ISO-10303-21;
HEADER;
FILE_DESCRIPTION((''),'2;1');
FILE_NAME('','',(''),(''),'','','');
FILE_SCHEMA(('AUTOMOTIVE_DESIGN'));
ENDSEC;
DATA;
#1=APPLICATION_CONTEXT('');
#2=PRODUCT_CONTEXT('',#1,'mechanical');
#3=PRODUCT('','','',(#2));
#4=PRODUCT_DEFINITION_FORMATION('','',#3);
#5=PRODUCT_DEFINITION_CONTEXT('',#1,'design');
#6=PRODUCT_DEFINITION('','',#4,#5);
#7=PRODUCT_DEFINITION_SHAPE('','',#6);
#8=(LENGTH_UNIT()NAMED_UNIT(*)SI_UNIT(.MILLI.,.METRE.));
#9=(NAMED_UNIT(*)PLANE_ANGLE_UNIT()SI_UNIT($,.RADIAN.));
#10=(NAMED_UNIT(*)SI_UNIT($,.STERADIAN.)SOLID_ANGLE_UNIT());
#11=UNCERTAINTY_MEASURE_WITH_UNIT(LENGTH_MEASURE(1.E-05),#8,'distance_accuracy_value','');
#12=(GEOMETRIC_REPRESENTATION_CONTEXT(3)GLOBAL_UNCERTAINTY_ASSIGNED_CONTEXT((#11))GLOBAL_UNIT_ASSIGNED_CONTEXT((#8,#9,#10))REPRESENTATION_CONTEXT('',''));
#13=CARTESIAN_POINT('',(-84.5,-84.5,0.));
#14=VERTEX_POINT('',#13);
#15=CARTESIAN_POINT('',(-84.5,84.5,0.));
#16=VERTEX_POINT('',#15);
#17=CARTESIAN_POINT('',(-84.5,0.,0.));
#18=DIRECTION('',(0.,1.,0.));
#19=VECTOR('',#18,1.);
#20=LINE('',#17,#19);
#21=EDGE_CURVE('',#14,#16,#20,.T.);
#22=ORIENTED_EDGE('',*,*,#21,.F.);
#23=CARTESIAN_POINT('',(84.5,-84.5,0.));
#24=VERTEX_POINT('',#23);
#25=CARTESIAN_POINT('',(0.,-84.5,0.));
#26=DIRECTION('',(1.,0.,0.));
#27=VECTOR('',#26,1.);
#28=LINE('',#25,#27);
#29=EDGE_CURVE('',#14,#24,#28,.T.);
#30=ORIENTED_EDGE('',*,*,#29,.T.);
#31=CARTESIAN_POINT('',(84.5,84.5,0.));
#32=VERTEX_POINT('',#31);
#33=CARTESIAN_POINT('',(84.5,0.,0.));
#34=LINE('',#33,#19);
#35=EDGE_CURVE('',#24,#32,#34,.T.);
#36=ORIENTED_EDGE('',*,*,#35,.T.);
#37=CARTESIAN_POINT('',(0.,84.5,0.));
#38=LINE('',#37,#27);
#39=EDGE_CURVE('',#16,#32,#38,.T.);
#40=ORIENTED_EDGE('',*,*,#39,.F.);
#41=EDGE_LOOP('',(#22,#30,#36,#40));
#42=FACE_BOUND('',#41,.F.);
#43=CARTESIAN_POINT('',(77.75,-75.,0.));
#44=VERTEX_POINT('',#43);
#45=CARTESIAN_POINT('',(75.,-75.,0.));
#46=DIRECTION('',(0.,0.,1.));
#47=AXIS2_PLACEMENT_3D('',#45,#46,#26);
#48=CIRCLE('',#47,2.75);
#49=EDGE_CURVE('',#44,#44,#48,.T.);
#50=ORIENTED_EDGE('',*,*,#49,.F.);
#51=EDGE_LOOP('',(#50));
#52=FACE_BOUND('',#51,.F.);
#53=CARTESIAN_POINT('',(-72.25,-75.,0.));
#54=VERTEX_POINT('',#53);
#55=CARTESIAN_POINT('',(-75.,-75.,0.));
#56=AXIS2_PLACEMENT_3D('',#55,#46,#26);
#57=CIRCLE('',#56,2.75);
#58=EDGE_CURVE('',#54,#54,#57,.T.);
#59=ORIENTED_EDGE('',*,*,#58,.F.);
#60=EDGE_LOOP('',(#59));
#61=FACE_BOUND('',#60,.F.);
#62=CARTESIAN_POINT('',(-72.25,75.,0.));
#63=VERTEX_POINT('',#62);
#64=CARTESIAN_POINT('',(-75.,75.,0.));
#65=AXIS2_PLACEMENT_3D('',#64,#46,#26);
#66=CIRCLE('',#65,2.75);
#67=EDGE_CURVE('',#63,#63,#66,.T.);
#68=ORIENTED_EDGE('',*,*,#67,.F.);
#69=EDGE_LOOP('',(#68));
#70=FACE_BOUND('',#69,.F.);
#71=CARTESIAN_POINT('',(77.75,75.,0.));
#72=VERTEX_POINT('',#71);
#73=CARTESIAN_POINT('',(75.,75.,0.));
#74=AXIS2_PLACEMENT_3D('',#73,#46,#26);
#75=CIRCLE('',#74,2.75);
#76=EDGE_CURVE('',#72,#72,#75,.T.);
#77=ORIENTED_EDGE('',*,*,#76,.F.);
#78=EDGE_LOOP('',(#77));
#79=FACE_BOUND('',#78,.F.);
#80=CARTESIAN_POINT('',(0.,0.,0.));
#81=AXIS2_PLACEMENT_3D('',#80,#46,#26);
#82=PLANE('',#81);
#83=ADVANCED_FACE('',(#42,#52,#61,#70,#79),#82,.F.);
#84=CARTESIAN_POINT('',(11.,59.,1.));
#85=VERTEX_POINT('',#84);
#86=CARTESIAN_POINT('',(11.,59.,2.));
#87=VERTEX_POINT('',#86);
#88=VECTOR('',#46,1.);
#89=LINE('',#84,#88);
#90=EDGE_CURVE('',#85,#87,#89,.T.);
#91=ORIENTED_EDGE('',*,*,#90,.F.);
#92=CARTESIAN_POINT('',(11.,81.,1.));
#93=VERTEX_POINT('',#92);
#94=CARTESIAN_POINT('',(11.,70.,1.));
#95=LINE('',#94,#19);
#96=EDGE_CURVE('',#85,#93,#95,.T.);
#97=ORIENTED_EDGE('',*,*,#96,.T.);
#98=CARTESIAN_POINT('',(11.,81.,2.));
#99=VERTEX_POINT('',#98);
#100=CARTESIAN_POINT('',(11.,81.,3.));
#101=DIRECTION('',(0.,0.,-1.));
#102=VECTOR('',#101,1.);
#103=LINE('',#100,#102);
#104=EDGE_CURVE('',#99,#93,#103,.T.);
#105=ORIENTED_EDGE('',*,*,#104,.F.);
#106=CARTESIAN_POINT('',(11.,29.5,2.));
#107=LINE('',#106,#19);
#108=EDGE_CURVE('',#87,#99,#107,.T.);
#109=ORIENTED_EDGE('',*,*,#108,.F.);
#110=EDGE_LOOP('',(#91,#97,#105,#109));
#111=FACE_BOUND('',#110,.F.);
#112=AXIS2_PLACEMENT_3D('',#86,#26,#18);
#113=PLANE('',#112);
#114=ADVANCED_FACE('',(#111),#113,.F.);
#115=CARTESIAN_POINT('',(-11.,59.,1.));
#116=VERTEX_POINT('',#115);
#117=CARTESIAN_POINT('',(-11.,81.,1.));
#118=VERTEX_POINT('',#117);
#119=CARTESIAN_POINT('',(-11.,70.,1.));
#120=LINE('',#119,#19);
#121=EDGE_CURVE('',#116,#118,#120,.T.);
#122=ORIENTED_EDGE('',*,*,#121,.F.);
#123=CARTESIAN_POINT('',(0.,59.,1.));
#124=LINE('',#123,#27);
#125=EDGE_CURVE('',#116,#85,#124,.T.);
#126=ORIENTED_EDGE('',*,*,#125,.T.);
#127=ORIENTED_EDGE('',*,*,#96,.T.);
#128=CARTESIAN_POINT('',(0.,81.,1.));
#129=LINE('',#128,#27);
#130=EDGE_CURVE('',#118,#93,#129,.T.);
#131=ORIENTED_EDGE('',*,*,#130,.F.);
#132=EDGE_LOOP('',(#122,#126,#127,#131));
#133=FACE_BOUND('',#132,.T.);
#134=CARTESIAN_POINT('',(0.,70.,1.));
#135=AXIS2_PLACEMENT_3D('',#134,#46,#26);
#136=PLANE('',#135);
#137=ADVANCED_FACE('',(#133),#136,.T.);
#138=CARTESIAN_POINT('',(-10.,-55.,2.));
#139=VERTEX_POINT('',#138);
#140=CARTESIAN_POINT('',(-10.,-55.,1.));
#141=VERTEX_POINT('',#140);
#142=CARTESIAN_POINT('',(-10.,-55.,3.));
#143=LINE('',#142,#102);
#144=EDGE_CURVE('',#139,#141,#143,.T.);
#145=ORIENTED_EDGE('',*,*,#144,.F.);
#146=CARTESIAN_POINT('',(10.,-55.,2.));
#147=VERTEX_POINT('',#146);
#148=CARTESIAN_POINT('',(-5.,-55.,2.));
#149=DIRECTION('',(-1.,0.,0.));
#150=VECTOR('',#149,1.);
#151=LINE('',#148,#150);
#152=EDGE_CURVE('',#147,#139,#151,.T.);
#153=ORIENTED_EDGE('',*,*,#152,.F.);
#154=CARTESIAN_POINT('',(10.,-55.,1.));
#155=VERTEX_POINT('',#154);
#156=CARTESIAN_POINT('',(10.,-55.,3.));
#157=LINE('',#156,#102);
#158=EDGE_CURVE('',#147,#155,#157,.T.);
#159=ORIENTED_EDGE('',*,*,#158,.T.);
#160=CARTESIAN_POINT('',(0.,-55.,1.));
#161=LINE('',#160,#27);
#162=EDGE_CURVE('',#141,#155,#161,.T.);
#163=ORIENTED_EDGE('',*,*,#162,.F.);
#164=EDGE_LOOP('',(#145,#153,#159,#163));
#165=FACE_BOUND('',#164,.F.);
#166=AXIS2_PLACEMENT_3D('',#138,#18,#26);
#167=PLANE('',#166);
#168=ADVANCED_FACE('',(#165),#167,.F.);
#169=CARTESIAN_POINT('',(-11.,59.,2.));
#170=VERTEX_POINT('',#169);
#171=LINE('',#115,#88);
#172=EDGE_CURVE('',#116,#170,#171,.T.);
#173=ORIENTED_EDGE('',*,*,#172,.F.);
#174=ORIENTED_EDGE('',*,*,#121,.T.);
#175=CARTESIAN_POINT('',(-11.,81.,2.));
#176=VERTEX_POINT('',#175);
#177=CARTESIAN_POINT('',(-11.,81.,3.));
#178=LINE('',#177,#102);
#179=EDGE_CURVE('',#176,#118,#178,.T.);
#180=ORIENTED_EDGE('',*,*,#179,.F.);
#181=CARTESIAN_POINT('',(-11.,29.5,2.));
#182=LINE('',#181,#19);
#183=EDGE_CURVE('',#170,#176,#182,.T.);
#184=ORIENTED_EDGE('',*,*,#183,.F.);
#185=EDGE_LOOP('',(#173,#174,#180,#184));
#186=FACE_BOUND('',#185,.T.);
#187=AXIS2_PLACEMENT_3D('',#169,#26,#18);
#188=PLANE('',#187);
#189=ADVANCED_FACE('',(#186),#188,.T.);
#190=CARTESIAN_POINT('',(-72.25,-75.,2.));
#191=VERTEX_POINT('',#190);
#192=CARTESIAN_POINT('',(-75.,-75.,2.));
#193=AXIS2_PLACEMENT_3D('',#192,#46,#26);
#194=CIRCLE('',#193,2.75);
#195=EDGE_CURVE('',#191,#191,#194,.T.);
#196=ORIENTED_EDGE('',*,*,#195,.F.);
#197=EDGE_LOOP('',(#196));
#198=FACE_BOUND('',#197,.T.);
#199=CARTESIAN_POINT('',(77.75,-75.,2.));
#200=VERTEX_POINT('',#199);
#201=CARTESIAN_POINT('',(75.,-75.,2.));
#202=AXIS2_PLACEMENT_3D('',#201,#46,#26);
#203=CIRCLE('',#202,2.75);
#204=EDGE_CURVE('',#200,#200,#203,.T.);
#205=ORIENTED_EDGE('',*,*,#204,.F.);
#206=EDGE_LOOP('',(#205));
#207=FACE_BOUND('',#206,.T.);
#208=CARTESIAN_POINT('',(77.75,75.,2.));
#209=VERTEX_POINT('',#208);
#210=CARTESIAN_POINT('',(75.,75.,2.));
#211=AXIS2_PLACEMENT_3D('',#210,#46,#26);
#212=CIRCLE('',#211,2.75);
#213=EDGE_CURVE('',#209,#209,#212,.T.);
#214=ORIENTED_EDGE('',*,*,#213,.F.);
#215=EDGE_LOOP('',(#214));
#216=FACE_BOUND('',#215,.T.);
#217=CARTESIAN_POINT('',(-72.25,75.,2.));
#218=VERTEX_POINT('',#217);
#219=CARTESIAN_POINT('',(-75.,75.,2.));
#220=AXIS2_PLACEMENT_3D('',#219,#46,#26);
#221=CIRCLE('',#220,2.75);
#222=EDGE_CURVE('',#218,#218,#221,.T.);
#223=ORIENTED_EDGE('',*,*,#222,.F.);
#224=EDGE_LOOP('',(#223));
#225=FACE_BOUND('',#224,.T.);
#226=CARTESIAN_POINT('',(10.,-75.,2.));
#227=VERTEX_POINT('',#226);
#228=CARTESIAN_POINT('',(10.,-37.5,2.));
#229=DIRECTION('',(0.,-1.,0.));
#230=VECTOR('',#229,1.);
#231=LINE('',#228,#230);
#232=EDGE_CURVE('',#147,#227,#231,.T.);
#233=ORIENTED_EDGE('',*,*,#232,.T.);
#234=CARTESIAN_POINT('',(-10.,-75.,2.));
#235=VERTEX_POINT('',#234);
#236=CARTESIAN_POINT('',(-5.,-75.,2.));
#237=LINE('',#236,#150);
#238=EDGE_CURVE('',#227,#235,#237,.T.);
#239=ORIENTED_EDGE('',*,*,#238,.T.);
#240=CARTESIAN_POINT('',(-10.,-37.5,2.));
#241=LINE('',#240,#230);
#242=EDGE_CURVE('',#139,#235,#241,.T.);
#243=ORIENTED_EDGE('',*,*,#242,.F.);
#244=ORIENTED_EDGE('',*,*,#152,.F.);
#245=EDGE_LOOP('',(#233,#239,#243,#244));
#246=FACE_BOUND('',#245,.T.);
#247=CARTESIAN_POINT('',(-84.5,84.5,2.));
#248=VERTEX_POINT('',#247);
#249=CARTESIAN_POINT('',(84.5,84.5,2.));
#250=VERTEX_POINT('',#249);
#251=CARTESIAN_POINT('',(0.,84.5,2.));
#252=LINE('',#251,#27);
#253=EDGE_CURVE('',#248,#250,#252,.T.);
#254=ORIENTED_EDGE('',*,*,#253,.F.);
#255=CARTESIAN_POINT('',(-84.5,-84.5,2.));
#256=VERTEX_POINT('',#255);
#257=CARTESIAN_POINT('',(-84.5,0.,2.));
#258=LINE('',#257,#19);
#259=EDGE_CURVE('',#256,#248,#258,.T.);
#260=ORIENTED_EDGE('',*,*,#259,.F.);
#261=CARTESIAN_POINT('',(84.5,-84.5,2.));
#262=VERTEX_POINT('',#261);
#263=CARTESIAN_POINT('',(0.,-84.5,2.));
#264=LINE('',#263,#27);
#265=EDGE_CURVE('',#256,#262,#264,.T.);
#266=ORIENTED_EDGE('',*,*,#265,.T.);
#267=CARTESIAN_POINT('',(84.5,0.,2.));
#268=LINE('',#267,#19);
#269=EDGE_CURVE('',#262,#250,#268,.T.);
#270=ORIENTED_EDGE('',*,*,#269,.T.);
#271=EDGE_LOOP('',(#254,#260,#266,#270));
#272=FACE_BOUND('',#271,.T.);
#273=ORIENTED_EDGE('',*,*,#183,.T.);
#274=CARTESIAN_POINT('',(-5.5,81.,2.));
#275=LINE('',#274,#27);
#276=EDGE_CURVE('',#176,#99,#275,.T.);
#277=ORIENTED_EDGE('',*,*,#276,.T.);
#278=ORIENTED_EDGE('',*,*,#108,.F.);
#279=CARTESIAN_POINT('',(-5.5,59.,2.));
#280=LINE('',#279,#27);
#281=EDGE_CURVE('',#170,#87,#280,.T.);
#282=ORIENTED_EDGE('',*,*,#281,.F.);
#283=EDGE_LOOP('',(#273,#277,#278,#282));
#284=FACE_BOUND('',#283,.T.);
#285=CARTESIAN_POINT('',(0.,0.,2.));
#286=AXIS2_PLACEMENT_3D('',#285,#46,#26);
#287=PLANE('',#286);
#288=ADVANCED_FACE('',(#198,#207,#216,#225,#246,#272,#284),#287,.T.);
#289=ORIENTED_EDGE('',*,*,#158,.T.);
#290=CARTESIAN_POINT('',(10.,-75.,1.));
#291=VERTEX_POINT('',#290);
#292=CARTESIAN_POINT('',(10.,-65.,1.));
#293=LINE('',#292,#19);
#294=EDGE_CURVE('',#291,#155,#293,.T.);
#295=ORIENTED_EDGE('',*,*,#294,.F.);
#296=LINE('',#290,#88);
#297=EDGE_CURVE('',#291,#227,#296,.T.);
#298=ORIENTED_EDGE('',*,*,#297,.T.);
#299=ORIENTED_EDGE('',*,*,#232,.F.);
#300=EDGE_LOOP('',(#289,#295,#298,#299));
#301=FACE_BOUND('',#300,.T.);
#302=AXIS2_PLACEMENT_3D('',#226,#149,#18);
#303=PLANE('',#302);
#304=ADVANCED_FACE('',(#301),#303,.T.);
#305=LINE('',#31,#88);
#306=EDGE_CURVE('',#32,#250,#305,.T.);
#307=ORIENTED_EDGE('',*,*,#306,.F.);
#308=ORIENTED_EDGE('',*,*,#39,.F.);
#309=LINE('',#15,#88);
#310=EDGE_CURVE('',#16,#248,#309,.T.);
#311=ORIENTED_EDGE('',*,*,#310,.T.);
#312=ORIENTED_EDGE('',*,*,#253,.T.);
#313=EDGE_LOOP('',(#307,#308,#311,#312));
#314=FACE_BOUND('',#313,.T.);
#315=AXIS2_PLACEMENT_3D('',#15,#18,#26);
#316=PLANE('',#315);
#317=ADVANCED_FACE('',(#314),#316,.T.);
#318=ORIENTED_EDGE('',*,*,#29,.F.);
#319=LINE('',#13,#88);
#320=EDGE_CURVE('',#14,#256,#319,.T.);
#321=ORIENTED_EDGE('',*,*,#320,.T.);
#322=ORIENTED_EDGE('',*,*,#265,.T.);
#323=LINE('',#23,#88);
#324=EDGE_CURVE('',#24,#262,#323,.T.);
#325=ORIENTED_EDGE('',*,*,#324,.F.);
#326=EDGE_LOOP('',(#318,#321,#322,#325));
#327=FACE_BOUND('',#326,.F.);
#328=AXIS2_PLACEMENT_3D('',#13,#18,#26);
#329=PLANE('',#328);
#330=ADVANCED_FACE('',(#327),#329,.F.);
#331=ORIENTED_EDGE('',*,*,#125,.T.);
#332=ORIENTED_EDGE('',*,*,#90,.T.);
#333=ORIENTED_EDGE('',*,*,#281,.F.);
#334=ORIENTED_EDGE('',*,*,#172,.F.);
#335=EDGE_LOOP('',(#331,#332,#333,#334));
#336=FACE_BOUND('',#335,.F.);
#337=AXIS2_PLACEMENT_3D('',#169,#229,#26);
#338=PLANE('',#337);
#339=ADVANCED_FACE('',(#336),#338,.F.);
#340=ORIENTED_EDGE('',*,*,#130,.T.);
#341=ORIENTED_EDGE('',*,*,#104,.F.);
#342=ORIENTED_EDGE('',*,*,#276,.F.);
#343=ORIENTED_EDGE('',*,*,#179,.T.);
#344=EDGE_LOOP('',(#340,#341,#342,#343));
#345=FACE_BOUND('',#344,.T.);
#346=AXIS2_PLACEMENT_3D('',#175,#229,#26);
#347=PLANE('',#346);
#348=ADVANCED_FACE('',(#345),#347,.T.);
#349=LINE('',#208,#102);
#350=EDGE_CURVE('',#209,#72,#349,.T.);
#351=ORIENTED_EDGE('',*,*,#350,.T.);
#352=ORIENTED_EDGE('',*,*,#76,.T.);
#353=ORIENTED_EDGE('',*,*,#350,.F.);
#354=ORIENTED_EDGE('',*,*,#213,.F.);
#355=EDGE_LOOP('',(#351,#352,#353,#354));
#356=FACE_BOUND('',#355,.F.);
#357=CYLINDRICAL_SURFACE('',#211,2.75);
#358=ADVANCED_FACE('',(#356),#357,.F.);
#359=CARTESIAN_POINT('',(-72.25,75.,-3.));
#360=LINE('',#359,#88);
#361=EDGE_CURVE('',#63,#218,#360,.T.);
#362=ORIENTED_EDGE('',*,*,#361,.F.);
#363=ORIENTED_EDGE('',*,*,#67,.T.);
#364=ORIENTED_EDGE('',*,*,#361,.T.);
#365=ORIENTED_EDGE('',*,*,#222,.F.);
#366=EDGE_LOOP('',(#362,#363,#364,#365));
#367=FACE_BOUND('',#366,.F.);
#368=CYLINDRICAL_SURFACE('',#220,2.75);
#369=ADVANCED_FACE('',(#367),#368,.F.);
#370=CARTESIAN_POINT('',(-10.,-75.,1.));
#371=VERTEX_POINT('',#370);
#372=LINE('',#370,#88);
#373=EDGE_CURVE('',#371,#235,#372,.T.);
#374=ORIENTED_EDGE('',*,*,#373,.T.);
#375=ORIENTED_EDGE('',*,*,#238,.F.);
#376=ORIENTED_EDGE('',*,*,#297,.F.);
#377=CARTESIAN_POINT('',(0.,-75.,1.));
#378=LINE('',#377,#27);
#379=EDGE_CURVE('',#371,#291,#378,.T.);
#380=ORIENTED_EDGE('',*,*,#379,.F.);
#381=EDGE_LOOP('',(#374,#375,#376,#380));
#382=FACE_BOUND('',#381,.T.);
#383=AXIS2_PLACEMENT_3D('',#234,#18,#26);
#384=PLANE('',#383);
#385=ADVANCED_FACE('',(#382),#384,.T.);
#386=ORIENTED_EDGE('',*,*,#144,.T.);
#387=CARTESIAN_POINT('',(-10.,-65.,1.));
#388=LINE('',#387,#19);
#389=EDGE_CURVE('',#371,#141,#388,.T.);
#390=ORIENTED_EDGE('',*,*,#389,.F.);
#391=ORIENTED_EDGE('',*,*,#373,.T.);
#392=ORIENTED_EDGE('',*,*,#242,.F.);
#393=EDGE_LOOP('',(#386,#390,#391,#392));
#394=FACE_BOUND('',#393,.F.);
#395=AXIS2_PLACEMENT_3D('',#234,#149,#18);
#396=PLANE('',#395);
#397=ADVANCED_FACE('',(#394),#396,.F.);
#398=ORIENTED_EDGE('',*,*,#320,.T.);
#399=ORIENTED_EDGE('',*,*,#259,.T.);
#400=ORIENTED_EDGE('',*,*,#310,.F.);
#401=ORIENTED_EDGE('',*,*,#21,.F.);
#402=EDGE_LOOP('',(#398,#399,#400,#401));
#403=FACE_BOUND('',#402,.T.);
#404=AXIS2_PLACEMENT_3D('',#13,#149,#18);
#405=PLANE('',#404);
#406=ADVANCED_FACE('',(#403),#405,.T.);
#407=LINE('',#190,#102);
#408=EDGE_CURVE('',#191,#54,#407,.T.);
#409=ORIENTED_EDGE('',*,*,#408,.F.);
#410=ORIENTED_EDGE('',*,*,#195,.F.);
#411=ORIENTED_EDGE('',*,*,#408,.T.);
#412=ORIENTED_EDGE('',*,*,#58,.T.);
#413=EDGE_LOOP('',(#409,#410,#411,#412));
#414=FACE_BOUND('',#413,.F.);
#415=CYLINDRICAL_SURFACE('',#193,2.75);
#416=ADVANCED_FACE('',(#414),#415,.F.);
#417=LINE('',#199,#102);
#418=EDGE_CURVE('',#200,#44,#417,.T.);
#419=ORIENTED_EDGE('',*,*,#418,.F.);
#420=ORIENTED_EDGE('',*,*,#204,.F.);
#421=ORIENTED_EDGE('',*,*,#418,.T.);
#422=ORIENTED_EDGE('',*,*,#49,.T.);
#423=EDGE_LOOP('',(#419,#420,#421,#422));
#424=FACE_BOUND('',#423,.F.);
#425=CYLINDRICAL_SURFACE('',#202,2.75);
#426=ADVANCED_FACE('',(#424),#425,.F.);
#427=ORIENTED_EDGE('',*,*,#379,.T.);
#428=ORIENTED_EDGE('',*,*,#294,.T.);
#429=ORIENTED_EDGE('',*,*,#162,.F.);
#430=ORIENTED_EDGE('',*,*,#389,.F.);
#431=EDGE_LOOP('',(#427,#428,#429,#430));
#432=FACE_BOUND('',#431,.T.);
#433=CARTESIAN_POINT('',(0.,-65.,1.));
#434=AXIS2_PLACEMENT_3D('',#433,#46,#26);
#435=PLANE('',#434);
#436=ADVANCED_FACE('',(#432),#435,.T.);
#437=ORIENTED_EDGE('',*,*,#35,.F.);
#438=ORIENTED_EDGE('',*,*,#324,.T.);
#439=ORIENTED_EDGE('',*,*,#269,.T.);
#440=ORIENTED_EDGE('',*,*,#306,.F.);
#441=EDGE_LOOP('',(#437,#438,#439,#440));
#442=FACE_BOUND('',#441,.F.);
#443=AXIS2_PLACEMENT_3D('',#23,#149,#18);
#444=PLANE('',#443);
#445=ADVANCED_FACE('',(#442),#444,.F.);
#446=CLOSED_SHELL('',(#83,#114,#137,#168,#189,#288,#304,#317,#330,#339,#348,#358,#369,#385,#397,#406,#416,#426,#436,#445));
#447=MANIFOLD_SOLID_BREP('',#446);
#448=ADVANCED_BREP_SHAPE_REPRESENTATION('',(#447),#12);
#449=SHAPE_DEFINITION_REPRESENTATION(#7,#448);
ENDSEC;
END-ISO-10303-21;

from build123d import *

# Parameters (mm, degrees)
SKETCH002_W      = 20
SKETCH002_H      = 20
SKETCH002_W_2    = 22
SKETCH002_H_2    = 22
EXTRUDE_DEPTH    = 1
SKETCH001_R      = 2.75
EXTRUDE002_DEPTH = 5
SKETCH_W         = 169
SKETCH_H         = 169
EXTRUDE001_DEPTH = 2


with BuildPart() as cutouts:
    # Sketch002 → Extrude (new body, symmetric)
    with BuildSketch(Plane.XY.offset(2)):
        with Locations((0, -65)):
            Rectangle(SKETCH002_W, SKETCH002_H)
        with Locations((0, 70)):
            Rectangle(SKETCH002_W_2, SKETCH002_H_2)
    extrude(amount=EXTRUDE_DEPTH, both=True)


with BuildPart() as mountholes:
    # Sketch001 → Extrude002 (new body, symmetric)
    with BuildSketch(Plane.XY.offset(2)):
        with Locations((-75, -75)):
            Circle(SKETCH001_R)
        with Locations((75, -75)):
            Circle(SKETCH001_R)
        with Locations((75, 75)):
            Circle(SKETCH001_R)
        with Locations((-75, 75)):
            Circle(SKETCH001_R)
    extrude(amount=EXTRUDE002_DEPTH, both=True)


with BuildPart() as cut001:
    # Sketch → Extrude001 (new body)
    with BuildSketch(Plane.XY):
        Rectangle(SKETCH_W, SKETCH_H)
    extrude(amount=EXTRUDE001_DEPTH)

    # Cut: cut MountHoles
    add(mountholes.part, mode=Mode.SUBTRACT)

    # Cut001: cut Cutouts
    add(cutouts.part, mode=Mode.SUBTRACT)


solid = cut001.part
